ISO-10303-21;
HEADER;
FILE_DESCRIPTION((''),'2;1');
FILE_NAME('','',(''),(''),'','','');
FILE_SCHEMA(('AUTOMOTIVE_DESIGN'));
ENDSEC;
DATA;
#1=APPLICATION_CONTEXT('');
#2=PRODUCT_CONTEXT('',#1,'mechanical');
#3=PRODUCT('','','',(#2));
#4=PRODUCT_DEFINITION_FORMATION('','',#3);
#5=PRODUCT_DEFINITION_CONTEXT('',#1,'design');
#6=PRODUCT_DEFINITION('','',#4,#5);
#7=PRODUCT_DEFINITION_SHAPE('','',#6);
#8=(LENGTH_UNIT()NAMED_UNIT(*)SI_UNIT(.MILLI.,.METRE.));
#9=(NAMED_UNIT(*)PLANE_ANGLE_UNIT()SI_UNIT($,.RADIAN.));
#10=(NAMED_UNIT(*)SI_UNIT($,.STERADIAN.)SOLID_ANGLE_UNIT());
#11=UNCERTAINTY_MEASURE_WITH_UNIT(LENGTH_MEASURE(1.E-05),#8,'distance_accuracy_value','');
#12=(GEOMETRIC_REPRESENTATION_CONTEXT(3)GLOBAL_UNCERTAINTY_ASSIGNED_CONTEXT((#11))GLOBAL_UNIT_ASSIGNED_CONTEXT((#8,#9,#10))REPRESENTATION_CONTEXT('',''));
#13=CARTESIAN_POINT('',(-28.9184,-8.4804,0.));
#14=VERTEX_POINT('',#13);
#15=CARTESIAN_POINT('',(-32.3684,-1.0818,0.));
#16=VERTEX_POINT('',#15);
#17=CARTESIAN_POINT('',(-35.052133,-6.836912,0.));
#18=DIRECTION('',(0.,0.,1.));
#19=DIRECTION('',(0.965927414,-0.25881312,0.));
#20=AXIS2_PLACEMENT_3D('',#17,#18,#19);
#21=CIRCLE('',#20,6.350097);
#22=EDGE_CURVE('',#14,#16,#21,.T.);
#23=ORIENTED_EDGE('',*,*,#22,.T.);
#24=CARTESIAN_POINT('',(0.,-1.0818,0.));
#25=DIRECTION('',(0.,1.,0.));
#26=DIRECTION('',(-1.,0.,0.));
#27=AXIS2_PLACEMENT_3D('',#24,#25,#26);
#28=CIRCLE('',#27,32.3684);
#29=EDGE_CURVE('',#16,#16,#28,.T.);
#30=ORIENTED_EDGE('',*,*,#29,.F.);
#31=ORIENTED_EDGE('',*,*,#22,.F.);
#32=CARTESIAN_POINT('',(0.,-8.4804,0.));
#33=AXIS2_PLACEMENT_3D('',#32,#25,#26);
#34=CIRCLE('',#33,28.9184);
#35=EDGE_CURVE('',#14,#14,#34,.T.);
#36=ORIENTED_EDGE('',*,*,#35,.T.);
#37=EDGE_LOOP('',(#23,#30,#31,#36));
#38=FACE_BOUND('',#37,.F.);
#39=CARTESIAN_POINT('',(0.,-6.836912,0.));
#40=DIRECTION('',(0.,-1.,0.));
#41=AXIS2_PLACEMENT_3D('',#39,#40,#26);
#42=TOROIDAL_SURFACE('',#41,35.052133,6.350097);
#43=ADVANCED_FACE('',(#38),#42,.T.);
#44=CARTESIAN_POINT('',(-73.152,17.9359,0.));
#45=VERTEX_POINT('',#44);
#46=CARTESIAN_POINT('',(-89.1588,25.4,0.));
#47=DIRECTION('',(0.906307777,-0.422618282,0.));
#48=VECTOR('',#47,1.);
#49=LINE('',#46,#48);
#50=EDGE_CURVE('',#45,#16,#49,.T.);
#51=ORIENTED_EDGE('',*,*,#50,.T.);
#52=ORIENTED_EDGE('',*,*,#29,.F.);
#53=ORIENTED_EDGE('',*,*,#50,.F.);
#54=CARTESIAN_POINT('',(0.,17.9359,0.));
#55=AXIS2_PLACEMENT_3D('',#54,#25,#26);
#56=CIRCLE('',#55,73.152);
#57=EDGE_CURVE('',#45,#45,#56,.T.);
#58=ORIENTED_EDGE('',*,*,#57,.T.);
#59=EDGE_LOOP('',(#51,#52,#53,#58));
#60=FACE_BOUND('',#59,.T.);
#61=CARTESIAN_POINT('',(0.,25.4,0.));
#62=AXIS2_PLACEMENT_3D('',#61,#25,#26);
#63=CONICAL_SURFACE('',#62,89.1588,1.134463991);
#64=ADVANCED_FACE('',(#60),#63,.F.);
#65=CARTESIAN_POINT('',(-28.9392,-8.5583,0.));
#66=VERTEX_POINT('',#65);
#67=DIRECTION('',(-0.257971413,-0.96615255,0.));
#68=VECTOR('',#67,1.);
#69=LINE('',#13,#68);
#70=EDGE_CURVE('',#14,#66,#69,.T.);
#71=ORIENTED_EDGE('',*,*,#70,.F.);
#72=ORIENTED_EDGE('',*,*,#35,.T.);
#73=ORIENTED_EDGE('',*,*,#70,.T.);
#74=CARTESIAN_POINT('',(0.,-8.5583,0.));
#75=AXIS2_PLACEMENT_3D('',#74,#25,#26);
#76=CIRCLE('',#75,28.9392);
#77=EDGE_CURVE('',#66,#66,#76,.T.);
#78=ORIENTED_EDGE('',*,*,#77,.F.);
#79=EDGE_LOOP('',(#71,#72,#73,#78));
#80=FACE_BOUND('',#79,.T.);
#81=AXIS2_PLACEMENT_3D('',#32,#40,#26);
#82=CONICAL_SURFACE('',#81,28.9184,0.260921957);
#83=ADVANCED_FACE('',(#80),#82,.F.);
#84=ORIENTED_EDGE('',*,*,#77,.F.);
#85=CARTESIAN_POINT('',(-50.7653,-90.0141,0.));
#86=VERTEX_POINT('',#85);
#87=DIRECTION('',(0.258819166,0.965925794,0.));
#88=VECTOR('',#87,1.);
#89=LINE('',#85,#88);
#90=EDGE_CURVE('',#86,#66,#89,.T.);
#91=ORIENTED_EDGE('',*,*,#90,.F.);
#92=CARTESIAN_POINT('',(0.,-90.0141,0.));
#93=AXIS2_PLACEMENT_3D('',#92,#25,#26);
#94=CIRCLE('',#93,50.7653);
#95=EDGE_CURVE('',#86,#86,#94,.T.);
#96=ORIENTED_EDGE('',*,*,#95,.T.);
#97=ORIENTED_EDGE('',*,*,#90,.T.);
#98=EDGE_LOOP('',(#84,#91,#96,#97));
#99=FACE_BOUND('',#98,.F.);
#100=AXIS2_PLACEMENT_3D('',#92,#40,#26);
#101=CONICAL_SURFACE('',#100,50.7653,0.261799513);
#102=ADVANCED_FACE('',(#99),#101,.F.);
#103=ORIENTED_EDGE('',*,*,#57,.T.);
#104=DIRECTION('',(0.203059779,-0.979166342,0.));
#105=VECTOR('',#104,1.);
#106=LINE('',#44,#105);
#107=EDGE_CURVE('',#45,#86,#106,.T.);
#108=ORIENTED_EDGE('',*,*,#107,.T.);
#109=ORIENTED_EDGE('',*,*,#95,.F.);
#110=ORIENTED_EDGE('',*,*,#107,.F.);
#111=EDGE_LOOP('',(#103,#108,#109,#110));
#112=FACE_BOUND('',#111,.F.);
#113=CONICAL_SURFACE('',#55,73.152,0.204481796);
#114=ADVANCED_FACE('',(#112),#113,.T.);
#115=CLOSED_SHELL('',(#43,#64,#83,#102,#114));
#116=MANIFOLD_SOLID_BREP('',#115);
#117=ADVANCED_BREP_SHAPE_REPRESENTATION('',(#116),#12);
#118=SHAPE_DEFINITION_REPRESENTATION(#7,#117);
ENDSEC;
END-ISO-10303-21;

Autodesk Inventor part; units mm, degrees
ref_plane "YZ Plane" through (0, 0, 0) normal (1, 0, 0) x (0, 1, 0)
ref_plane "XZ Plane" through (0, 0, 0) normal (0, 1, 0) x (-1, 0, 0)
ref_plane "XY Plane" through (0, 0, 0) normal (0, 0, 1) x (1, 0, 0)
sketch "Sketch1" plane through (0, 0, 0) normal (0, 0, 1) x (1, 0, 0)
  line L0 (0, 25.4) -> (-28.702, 25.4) construction
  line L1 (0, 25.4) -> (-95.25, 25.4) construction
  line L2 (-95.25, 25.4) -> (-89.1588, 25.4) construction
  line L3 (-89.1588, 25.4) -> (-85.693, 23.7839) construction
  line L4 (-89.1588, 25.4) -> (-89.1588, 21.1626) construction
  line L5 (-89.1588, 0) -> (-95.25, 0)
  line L6 (-28.702, 59.6457) -> (-28.702, -91.9304) construction
  arc A0 (-28.9184, -8.4804) -> (-32.3684, -1.0818) centre (-35.052, -6.8369) ccw
  line L7 (-89.1588, 25.4) -> (-89.1588, 0)
  line L8 (-89.1588, 25.4) -> (-32.3684, -1.0818)
  line L9 (-28.9184, -8.4804) -> (-28.9392, -8.5583)
  line L10 (0, -319.0244) -> (0, 122.7573) projected
  line L11 (-73.152, 17.9359) -> (-28.702, 17.9359) construction
  line L12 (-89.1588, 0) -> (-92.3338, 0)
  line L13 (11.4547, -6.8369) -> (-136.2084, -6.8369) construction
  line L14 (-57.2892, -89.8271) -> (-86.36, -198.3209)
  line L15 (-92.3338, -12.7) -> (-73.2838, -12.7)
  line L16 (-73.2838, -12.7) -> (-54.421, -103.6575)
  line L17 (-92.71, -222.8555) -> (-86.36, -222.8555)
  line L18 (-86.36, -198.3209) -> (-79.786, -198.3209)
  line L19 (-92.71, -172.9504) -> (-71.7053, -94.5599)
  line L20 (-92.3338, -25.4) -> (-79.6338, -25.4)
  line L21 (-79.6338, -25.4) -> (-79.6338, -57.15)
  line L22 (-79.6338, -57.15) -> (-71.7053, -94.5599)
  line L23 (-92.3338, 0) -> (-92.3338, -25.4)
  line L24 (-92.71, -172.9504) -> (-92.71, -222.8555)
  line L25 (-86.3902, -25.4) -> (-86.3902, -31.3436)
  line L26 (-86.3902, -31.3436) -> (-92.3338, -31.3436)
  line L27 (-92.3338, -31.3436) -> (-92.3338, -56.7436)
  line L28 (-92.3338, -56.7436) -> (-79.6338, -56.7436)
  line L29 (-73.152, 17.9359) -> (-32.3684, -1.0818)
  line L30 (-73.152, 17.9359) -> (-50.7653, -90.0141)
  line L31 (-50.7653, -90.0141) -> (-28.9184, -8.4804)
  line L32 (-52.4654, -96.3589) -> (-28.9184, -8.4804)
  line L33 (-86.36, -222.8555) -> (-28.9184, -8.4804)
  point P0 (0, 0)
  point P1 (-95.25, -255.9127)
  point P2 (-88.7095, 22.4389)
  dimension "d0" = 28.702
  dimension "d3" = 25
  dimension "d5" = 25.4
  dimension "d6" = 25.4
  dimension "d8" = 12.7
  dimension "d34" = 15
  dimension "d37" = 44.45
  dimension "d46" = 19.05
  dimension "d47" = 12.7
  dimension "d50" = 86.36
  dimension "d53" = 12.7
  dimension "d55" = 12.7
  dimension "d56" = 31.75
  dimension "d58" = 0.25
  dimension "d60" = 12.7
  dimension "d61" = 25.4
  dimension "d62" = 5.9436
  dimension "d63" = 5.9436
  dimension "d64" = 3.175
  dimension "d65" = 6.35
  dimension "d67" = 6.35
  dimension "d68" = 107.95
  dimension "d69" = 6.35
  dimension "d70" = 6.35
revolve "Revolution2" add sketch "Sketch1" angle 360 about axis through (0, -10, 0) along (0, 1, 0) contours L8 A0 L9 L31 L30
properties part number "graphite" material "GFRC"
